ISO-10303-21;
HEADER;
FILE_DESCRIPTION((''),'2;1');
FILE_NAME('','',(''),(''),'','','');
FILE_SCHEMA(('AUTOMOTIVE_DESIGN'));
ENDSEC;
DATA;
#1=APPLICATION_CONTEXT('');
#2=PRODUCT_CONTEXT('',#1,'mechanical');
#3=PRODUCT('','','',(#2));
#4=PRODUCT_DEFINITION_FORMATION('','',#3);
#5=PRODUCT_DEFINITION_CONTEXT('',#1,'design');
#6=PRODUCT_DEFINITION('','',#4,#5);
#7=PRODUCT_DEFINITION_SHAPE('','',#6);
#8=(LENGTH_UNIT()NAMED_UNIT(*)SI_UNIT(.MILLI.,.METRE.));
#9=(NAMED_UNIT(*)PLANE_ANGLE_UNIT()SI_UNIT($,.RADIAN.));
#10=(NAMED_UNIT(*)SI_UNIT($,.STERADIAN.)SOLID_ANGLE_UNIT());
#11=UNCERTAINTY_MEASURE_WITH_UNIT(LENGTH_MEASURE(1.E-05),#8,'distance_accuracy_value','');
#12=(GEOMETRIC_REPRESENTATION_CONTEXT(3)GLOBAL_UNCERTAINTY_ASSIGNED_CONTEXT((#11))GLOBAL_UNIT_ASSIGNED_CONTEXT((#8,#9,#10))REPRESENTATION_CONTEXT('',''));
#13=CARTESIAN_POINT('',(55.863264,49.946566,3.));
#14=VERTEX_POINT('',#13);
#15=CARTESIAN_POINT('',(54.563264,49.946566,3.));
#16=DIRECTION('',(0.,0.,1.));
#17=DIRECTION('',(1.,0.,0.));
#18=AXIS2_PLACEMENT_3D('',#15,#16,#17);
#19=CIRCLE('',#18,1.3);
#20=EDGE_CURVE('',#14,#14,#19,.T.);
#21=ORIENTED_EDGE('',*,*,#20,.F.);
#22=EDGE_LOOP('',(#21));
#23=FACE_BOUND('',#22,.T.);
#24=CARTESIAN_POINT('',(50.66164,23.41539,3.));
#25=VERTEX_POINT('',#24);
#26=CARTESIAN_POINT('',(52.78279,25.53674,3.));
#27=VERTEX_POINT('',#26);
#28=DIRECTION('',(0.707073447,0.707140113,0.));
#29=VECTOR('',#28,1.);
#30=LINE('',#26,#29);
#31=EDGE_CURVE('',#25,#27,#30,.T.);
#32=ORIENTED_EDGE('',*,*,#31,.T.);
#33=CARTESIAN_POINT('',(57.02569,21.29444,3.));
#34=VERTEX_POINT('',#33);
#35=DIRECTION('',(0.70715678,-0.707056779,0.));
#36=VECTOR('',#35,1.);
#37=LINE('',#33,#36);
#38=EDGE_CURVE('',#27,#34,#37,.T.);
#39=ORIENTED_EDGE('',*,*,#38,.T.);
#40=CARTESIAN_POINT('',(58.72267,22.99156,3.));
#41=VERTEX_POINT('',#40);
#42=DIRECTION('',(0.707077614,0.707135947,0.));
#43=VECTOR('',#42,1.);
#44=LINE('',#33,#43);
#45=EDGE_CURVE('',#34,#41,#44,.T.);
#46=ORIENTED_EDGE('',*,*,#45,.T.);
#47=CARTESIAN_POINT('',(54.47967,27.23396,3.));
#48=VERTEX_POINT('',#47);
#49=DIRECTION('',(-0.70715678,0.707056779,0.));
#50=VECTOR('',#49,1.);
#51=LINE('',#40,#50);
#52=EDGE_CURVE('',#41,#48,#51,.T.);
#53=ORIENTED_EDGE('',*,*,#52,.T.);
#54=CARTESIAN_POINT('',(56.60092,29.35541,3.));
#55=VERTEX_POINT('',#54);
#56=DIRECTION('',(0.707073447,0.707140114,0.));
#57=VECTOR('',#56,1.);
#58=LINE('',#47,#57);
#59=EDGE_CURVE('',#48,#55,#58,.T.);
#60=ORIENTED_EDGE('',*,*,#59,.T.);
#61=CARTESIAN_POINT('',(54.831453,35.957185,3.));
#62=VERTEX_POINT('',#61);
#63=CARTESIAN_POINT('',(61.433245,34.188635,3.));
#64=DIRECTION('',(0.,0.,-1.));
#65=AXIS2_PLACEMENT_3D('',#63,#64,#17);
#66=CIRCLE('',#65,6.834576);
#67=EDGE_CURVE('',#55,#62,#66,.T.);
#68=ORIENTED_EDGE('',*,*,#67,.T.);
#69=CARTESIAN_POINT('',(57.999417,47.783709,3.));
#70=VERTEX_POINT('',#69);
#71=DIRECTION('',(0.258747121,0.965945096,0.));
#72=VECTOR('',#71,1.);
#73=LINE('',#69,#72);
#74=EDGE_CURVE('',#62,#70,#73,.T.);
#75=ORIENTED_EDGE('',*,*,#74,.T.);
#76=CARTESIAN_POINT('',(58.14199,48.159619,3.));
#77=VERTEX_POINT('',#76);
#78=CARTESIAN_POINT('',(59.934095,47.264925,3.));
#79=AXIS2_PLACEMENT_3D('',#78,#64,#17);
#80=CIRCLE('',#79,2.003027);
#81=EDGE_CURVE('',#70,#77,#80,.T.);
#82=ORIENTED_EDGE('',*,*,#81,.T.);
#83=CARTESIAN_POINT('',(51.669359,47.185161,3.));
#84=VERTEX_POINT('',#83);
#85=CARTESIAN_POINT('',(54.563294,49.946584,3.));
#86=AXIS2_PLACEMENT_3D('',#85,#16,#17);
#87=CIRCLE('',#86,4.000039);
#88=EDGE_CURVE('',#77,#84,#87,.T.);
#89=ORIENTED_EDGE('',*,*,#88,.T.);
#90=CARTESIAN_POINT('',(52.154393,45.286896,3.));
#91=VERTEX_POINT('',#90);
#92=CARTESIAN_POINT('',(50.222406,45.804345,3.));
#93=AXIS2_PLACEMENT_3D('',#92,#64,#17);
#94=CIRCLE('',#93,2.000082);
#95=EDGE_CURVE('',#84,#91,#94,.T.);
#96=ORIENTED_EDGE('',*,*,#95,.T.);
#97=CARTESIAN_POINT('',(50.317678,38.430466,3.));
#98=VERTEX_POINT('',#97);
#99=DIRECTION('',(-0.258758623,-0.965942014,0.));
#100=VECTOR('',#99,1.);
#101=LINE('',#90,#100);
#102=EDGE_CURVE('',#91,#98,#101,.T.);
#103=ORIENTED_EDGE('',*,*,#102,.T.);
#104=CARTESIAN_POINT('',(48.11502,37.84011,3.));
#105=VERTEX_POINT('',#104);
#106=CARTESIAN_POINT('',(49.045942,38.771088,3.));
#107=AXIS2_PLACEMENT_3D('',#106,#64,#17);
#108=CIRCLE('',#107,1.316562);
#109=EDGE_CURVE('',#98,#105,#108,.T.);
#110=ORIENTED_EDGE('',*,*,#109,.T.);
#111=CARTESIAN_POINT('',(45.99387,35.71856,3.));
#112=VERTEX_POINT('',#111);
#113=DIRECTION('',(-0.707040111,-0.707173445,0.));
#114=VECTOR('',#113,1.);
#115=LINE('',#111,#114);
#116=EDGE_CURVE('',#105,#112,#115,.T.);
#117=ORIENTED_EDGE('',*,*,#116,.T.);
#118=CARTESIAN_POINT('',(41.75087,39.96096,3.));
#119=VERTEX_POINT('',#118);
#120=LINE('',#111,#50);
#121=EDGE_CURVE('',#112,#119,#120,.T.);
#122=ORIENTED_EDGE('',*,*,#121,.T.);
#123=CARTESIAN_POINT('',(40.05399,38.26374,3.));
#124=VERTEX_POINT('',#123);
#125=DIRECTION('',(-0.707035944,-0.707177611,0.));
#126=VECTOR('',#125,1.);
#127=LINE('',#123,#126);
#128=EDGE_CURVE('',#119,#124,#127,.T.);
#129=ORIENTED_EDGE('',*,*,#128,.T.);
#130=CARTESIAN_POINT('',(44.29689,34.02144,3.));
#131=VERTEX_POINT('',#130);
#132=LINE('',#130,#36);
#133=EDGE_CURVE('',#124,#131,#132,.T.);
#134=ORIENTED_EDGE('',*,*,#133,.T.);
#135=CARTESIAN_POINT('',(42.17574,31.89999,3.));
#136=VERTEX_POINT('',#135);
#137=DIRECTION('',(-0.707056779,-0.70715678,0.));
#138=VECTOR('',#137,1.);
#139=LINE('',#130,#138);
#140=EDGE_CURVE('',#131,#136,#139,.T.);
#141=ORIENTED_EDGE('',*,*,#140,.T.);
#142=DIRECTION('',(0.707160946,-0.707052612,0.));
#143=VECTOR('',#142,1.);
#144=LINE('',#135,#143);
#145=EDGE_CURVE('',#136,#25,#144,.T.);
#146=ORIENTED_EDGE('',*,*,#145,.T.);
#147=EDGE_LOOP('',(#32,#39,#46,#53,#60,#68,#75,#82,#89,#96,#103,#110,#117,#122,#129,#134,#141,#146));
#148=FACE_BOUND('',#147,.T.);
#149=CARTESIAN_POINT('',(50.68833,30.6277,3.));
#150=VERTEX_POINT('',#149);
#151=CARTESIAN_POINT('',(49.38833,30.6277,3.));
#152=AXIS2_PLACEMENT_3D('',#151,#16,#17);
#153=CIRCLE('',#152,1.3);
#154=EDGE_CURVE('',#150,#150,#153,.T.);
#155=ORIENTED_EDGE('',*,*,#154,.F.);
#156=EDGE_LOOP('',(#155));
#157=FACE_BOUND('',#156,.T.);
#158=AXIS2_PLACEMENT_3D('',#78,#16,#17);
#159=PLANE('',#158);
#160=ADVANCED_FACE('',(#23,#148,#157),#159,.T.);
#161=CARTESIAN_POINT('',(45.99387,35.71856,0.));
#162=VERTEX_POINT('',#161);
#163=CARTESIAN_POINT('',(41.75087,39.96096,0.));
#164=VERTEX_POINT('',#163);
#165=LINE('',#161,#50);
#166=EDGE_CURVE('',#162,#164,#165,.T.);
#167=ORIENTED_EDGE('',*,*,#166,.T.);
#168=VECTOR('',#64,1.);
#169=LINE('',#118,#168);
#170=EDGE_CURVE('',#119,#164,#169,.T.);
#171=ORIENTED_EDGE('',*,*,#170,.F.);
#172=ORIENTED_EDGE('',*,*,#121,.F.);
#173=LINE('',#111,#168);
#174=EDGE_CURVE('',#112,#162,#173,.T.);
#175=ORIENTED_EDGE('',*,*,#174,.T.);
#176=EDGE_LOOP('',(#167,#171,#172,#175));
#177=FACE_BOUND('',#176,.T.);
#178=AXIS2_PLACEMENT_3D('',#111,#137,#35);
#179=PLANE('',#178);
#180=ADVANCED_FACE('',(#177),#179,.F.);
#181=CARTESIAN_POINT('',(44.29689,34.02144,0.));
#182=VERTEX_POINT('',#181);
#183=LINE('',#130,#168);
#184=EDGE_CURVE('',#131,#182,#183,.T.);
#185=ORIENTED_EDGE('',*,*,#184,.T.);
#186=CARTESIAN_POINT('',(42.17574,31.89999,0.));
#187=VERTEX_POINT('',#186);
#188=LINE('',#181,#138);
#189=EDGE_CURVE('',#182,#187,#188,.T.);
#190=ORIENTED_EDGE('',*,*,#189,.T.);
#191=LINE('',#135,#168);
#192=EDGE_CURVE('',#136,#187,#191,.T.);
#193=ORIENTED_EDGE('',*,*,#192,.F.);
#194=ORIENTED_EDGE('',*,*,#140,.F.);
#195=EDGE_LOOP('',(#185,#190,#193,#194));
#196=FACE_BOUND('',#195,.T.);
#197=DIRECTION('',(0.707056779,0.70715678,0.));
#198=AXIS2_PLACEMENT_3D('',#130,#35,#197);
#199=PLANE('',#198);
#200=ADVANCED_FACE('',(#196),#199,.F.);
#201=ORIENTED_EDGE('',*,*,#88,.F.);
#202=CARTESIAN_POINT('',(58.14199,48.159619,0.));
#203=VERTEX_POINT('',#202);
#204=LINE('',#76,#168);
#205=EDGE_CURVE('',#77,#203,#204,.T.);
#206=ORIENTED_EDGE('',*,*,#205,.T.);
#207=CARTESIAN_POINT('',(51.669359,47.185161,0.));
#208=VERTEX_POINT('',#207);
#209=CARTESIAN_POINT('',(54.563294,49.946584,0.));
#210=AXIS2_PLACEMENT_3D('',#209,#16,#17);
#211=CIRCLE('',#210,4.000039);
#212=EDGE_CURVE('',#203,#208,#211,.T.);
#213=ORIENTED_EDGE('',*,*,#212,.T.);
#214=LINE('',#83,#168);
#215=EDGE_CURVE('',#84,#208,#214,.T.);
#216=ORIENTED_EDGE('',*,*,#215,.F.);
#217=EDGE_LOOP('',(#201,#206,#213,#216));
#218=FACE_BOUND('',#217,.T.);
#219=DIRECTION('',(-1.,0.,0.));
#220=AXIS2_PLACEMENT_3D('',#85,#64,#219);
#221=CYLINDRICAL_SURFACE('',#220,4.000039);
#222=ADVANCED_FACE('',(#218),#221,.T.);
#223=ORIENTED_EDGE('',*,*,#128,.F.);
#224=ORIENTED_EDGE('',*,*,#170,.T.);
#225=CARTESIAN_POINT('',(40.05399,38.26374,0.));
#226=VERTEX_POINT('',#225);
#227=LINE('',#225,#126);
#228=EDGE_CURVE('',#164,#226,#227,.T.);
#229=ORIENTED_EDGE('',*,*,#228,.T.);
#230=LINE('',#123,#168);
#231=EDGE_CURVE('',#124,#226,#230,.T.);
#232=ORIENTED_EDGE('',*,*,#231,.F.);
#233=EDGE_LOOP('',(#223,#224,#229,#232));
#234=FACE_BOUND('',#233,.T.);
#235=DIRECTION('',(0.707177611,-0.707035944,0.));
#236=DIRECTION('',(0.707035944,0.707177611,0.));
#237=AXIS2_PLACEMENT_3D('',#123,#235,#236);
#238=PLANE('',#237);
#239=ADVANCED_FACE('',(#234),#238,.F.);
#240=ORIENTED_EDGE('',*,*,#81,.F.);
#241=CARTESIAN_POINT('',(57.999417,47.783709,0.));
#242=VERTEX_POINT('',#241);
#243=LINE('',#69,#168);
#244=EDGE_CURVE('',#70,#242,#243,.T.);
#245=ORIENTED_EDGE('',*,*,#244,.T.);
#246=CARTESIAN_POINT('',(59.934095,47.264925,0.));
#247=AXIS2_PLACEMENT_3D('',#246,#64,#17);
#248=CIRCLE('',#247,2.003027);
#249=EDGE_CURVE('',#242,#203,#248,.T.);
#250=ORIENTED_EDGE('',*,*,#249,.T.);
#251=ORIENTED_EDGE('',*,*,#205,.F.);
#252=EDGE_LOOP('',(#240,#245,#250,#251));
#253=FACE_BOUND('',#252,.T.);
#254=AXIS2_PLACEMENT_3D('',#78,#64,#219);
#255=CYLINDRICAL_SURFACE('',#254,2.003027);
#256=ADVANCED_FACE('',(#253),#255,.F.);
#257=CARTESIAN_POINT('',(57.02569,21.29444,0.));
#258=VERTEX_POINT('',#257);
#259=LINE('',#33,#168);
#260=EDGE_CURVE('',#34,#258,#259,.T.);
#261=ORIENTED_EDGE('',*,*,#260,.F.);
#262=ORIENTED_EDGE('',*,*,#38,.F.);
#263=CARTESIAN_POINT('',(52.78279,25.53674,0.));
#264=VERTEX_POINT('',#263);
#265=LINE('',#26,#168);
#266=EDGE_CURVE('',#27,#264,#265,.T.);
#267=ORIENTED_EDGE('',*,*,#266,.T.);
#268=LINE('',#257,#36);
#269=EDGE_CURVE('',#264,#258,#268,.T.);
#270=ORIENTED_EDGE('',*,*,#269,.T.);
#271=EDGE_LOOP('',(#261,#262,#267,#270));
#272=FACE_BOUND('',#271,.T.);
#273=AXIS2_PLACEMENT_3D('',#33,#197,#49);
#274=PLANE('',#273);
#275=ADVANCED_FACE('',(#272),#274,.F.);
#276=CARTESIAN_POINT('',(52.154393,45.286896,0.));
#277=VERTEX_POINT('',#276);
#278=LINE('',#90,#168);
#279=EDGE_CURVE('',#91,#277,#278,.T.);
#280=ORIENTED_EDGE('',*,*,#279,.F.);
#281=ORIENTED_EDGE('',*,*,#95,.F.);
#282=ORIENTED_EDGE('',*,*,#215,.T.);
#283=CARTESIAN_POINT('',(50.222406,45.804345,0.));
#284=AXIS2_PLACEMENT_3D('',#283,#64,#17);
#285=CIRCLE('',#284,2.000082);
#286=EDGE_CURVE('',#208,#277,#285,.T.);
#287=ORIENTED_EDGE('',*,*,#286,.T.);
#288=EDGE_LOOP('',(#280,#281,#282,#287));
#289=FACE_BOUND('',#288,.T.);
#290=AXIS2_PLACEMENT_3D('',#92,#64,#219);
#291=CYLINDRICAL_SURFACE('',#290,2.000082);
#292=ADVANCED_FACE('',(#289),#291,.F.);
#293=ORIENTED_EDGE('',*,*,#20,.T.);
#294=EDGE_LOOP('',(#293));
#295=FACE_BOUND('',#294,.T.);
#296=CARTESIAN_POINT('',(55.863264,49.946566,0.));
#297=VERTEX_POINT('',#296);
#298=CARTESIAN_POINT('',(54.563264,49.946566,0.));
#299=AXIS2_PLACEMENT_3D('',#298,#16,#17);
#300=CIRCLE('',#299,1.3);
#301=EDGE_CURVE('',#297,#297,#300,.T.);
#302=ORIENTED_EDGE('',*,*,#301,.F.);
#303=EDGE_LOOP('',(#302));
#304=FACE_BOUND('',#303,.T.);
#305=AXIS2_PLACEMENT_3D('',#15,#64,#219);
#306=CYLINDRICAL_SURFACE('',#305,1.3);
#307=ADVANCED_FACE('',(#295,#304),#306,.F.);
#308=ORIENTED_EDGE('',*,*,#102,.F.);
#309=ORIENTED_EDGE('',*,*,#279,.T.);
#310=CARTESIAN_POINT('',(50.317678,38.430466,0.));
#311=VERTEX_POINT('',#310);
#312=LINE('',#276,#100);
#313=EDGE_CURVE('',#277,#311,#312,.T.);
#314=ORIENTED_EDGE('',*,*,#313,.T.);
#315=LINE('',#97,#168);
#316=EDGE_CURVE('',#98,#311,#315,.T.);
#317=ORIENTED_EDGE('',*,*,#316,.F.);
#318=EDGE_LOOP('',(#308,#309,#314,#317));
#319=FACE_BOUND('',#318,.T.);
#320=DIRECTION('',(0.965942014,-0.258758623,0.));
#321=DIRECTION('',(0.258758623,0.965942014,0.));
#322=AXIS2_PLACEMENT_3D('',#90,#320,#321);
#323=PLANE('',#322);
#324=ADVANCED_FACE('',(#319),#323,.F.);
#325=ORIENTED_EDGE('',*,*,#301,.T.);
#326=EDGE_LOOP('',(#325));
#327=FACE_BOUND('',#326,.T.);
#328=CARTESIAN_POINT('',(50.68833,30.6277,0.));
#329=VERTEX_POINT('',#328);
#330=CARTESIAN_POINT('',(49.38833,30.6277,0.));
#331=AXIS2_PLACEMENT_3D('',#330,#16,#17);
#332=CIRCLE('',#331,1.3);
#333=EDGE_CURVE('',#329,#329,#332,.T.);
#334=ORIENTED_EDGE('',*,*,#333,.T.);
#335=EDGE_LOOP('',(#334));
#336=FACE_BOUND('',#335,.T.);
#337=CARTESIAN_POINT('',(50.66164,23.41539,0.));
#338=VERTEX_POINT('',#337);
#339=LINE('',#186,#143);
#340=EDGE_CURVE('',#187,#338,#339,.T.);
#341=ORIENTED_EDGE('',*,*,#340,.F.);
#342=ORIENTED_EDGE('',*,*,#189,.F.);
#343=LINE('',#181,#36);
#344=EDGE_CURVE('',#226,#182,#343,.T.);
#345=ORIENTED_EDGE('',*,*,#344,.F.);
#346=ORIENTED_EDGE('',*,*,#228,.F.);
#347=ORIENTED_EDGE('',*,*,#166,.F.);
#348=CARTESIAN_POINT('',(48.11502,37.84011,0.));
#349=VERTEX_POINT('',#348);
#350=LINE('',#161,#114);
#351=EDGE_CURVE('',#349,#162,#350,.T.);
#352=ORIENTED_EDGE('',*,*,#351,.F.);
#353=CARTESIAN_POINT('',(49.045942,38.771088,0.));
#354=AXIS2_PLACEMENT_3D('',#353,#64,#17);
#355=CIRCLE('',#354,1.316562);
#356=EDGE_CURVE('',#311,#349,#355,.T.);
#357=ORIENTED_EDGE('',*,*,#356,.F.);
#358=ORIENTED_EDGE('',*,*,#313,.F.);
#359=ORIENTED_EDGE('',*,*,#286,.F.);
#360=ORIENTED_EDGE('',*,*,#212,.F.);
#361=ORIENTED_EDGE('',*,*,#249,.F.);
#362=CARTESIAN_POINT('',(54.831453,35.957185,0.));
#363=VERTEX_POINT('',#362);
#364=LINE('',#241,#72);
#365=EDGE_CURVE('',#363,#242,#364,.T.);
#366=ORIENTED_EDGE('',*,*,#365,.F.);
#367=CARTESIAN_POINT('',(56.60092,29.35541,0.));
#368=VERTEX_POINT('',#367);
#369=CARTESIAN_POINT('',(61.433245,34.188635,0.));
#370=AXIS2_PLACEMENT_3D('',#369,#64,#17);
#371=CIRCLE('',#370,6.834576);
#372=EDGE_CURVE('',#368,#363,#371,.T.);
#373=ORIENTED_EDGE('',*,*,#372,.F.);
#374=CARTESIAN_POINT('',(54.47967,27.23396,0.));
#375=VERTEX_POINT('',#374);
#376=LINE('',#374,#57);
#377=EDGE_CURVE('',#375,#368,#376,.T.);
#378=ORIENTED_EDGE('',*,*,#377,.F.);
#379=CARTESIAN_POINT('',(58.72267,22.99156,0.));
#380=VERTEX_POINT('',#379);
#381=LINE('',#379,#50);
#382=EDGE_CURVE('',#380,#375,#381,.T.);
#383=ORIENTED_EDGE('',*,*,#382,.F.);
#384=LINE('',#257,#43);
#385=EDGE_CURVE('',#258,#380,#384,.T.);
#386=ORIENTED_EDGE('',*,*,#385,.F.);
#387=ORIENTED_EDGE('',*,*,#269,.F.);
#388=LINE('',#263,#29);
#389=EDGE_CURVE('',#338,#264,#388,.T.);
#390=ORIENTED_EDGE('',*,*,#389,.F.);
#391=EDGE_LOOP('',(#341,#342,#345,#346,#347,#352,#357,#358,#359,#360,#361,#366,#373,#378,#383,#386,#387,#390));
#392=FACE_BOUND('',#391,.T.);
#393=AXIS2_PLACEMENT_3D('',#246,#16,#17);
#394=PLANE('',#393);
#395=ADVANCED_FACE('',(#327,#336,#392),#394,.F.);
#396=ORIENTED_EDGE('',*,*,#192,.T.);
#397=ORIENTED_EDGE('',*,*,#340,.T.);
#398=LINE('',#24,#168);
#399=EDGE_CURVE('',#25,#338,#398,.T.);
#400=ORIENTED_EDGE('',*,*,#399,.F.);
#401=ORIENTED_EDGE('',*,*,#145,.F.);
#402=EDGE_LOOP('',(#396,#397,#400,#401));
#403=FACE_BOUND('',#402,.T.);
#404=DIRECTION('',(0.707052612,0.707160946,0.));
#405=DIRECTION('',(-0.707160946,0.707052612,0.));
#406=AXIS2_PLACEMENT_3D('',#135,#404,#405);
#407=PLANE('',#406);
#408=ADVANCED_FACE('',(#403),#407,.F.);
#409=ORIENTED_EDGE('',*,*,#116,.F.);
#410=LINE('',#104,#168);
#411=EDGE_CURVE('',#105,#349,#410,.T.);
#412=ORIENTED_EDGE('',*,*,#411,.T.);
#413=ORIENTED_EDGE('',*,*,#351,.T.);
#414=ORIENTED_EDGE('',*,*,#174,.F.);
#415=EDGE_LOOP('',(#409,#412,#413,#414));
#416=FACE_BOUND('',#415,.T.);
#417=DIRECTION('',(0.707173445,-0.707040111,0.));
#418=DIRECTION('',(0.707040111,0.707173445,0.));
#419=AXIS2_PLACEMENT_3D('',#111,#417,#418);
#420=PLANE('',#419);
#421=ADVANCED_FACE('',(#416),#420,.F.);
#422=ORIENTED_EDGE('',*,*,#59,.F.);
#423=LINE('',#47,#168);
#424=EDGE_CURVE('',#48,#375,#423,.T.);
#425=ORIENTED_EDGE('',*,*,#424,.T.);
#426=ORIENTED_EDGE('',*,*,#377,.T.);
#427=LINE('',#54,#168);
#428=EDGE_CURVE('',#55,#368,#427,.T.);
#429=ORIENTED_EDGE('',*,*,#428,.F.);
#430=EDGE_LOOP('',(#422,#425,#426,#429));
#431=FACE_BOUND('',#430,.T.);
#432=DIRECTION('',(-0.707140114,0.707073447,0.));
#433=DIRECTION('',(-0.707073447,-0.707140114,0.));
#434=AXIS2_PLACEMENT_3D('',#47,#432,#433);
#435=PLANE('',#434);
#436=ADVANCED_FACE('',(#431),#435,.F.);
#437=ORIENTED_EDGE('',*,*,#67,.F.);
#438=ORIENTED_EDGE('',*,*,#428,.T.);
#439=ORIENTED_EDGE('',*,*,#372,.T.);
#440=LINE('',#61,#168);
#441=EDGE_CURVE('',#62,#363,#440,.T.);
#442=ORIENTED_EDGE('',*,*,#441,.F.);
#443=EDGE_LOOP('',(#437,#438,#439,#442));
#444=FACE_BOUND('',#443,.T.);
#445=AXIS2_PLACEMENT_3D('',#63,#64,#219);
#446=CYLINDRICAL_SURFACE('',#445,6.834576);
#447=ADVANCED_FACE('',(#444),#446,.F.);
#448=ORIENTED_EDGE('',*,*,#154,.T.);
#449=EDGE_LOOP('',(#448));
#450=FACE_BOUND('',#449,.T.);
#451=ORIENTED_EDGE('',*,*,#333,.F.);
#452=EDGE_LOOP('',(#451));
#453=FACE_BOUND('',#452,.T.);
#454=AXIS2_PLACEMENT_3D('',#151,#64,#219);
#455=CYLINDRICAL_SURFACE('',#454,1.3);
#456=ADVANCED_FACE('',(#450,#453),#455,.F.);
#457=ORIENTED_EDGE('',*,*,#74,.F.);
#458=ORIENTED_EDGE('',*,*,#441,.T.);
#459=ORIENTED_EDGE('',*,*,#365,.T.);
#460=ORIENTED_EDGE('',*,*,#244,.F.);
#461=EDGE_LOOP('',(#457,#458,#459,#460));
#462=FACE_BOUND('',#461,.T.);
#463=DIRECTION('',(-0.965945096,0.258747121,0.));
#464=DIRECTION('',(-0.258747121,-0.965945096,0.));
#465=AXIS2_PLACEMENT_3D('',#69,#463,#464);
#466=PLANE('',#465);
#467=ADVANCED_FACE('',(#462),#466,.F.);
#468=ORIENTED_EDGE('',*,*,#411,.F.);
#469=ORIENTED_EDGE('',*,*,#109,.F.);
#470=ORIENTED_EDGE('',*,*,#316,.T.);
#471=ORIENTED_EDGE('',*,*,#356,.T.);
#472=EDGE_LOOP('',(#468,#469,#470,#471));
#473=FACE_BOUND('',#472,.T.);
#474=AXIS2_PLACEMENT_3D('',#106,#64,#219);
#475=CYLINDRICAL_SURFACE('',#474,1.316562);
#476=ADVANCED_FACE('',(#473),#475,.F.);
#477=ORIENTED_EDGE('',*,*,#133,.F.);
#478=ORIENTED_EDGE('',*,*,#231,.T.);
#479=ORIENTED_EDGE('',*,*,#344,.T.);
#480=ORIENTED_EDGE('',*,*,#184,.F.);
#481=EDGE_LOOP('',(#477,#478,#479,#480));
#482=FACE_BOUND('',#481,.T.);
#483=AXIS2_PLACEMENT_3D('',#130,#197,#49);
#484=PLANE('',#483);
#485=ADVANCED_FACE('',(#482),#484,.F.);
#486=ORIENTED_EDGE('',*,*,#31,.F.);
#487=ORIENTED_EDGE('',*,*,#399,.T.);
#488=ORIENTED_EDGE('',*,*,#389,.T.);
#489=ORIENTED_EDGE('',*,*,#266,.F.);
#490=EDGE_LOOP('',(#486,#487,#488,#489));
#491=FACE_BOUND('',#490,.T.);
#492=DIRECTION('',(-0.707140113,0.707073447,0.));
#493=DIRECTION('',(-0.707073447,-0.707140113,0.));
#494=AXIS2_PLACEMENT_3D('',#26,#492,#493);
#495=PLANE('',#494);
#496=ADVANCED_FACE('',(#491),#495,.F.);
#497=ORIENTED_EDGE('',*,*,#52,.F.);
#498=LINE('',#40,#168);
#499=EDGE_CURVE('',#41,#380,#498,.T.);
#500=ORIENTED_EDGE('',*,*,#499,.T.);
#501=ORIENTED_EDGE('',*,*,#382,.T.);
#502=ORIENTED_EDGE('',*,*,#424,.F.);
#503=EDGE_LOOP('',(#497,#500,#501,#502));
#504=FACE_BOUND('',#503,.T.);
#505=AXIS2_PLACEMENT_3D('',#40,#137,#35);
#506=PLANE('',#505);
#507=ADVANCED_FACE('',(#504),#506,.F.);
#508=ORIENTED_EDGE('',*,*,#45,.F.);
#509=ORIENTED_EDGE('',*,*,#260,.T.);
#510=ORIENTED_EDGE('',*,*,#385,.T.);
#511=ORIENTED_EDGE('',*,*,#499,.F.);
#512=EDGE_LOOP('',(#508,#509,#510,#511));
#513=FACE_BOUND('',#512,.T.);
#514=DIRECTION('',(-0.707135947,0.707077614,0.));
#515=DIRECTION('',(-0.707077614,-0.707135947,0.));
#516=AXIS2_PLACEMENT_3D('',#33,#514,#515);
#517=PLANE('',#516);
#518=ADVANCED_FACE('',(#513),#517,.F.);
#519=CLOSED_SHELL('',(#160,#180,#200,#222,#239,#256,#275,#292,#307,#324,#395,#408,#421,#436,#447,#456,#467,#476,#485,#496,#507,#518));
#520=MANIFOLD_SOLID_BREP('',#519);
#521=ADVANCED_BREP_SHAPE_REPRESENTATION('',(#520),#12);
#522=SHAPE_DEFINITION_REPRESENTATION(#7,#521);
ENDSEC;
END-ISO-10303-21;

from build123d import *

# Parameters (mm, degrees)
MODEL_R             = 1.300000004
MODEL_R_2           = 1.300000002
BOSS_EXTRUDE1_DEPTH = 3


with BuildPart() as part:
    # Model → Boss-Extrude1 (new body)
    with BuildSketch(Plane.XY):
        with BuildLine():
            Line((40.053989941, 38.263739991), (41.750869933, 39.960959983))
            Line((41.750869933, 39.960959983), (45.993869928, 35.718559999))
            Line((45.993869928, 35.718559999), (48.115019916, 37.840109993))
            ThreePointArc((48.115019916, 37.840109993), (49.386777149, 37.499408798), (50.317678177, 38.430465746))
            Line((50.317678177, 38.430465746), (52.154393357, 45.286895639))
            ThreePointArc((52.154393357, 45.286895639), (52.160230302, 46.299486533), (51.669359128, 47.185161347))
            ThreePointArc((51.669359128, 47.185161347), (53.96779664, 53.902048674), (58.141990239, 48.159619035))
            ThreePointArc((58.141990239, 48.159619035), (58.061248273, 47.975250139), (57.99941682, 47.783708953))
            Line((57.99941682, 47.783708953), (54.831453076, 35.957184914))
            ThreePointArc((54.831453076, 35.957184914), (54.831683355, 32.419225016), (56.600919899, 29.355410018))
            Line((56.600919899, 29.355410018), (54.479669903, 27.233960017))
            Line((54.479669903, 27.233960017), (58.722669898, 22.991560033))
            Line((58.722669898, 22.991560033), (57.025689898, 21.294440033))
            Line((57.025689898, 21.294440033), (52.782789911, 25.536740025))
            Line((52.782789911, 25.536740025), (50.661639908, 23.415390031))
            Line((50.661639908, 23.415390031), (42.175739933, 31.899990006))
            Line((42.175739933, 31.899990006), (44.296889928, 34.02144))
            Line((44.296889928, 34.02144), (40.053989941, 38.263739991))
        make_face()
        with Locations((49.388329912, 30.627700012)):
            Circle(MODEL_R, mode=Mode.SUBTRACT)
        with Locations((54.563263872, 49.946565983)):
            Circle(MODEL_R_2, mode=Mode.SUBTRACT)
    extrude(amount=BOSS_EXTRUDE1_DEPTH)


solid = part.part
